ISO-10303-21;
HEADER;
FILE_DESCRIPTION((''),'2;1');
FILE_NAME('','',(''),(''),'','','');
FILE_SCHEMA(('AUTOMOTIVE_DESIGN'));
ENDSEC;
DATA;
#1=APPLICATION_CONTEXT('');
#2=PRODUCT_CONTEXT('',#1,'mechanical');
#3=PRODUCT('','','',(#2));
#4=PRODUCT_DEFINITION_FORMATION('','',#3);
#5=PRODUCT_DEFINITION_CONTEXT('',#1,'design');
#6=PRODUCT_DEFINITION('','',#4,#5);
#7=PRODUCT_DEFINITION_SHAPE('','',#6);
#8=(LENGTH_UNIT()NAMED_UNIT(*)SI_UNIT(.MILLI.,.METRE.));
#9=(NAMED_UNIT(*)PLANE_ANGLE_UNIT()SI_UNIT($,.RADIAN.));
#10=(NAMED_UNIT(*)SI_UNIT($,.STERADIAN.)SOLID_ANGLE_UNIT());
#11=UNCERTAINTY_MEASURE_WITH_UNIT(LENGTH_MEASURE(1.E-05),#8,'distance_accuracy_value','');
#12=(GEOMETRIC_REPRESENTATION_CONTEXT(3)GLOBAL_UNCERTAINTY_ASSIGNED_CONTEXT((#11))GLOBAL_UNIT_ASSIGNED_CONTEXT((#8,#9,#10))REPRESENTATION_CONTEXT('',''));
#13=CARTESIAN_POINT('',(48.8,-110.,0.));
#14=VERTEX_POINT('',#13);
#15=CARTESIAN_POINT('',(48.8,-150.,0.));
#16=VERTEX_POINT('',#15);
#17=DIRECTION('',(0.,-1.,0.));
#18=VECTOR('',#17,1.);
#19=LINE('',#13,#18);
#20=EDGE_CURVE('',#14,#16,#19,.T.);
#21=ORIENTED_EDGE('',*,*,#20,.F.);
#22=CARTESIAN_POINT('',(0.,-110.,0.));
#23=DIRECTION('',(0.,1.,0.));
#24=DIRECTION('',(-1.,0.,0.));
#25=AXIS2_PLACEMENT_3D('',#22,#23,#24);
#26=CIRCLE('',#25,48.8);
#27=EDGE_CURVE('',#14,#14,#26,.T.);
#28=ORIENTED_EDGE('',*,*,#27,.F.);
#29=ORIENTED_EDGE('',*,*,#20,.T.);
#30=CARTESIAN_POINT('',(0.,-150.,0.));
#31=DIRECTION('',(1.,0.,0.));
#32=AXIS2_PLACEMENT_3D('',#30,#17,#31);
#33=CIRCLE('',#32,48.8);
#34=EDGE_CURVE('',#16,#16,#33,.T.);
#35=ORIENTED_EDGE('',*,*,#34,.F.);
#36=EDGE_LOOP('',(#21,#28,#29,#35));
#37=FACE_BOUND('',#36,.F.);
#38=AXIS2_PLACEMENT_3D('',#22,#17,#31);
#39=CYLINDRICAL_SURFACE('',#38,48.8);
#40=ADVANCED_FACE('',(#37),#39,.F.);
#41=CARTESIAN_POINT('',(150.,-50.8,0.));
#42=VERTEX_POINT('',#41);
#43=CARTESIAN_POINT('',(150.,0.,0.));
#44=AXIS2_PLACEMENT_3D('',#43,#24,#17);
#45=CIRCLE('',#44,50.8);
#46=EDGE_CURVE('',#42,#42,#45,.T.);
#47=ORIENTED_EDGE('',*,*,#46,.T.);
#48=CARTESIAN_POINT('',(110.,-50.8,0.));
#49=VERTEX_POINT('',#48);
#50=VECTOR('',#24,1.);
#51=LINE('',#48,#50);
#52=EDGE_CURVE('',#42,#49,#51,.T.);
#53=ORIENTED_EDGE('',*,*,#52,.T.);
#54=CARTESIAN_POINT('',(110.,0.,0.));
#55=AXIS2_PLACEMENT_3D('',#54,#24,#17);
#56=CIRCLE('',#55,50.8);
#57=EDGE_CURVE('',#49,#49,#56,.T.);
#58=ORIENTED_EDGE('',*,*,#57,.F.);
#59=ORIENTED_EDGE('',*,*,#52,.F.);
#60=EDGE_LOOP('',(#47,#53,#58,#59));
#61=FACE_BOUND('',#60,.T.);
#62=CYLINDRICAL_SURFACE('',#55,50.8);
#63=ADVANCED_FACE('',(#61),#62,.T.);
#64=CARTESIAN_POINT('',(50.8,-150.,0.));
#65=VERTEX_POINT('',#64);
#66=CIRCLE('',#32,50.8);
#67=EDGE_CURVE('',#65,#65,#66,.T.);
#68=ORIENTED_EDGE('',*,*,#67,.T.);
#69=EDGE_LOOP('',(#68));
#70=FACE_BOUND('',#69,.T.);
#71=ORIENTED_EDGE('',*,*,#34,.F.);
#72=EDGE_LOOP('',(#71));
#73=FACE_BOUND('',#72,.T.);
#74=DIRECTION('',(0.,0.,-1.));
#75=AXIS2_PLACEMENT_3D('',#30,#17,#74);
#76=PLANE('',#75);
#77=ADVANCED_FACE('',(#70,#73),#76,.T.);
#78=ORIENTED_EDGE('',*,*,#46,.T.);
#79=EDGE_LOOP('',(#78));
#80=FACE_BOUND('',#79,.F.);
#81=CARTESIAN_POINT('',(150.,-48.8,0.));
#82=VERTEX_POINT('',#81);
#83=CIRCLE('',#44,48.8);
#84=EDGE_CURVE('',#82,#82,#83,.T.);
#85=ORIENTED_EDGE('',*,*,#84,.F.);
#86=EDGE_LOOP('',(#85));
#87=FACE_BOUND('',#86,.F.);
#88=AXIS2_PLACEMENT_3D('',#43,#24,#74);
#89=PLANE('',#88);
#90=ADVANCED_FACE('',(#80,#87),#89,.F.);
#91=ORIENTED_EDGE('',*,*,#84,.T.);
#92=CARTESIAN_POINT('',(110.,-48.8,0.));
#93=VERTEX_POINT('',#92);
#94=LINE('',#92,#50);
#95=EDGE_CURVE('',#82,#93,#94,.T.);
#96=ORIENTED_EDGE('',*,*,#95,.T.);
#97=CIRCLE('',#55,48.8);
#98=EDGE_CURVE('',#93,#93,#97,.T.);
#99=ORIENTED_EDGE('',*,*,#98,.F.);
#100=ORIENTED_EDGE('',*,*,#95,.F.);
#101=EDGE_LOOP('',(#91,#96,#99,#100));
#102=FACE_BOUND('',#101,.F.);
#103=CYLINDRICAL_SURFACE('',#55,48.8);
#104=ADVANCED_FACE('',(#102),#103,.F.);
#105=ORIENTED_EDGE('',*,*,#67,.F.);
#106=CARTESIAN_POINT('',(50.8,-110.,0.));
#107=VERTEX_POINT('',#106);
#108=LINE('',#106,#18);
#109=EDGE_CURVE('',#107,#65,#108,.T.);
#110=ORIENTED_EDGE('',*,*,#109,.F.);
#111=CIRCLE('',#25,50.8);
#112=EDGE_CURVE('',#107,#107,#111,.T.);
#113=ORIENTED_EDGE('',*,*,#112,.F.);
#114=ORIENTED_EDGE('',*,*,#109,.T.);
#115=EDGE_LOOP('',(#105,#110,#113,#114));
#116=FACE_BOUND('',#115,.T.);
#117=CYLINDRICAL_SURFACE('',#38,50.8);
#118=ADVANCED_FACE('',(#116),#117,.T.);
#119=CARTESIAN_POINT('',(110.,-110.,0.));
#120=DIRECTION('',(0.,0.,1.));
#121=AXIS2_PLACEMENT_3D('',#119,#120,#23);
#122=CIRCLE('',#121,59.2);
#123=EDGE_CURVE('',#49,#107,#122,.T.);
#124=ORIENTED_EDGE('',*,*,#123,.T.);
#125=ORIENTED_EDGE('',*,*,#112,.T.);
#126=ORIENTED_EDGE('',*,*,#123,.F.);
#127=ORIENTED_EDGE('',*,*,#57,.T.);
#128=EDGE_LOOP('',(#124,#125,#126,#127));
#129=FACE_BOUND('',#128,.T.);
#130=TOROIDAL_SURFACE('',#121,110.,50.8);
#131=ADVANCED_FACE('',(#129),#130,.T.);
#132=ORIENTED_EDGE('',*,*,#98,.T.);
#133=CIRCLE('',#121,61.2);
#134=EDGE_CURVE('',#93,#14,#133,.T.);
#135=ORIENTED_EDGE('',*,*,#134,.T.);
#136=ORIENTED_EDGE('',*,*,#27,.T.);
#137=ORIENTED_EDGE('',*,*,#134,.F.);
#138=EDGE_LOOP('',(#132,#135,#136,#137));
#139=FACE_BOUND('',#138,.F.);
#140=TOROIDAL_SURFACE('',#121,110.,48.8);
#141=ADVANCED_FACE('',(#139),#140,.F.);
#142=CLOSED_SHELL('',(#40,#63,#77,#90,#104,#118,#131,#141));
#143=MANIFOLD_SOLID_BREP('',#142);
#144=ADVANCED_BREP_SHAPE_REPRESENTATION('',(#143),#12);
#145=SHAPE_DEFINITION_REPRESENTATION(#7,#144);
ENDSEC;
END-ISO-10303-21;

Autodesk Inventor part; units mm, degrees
ref_plane "YZ Plane" through (0, 0, 0) normal (1, 0, 0) x (0, 1, 0)
ref_plane "XZ Plane" through (0, 0, 0) normal (0, 1, 0) x (-1, 0, 0)
sketch "Szkic6" plane through (0, 0, 0) normal (0, 0, 1) x (1, 0, 0)
  line L0 (-29.6067, 0) -> (35.2678, 0) construction
  line L1 (0, 42.3419) -> (0, -58.3726) construction
  arc A0 (110, 0) -> (0, -110) centre (110, -110) ccw
  line L2 (0, -110) -> (110, -110) construction
  line L3 (110, -110) -> (110, -44.4669) construction
  line L4 (110, 0) -> (150, 0)
  line L5 (0, -110) -> (0, -150)
  point P0 (0, 0)
  dimension "d24" = 110
  dimension "d31" = 90
  dimension "d36" = 40
  dimension "d37" = 40
ref_plane "Płaszczyzna konstrukcyjna2" through (0, -110, 0) normal (0, -1, 0) x (1, 0, 0)
sketch "Szkic8" plane through (0, -110, 0) normal (0, -1, 0) x (1, 0, 0)
  circle A0 centre (0, 0) radius 50.8
  circle A1 centre (0, 0) radius 48.8
  dimension "d32" = 101.6
  dimension "d33" = 2
sweep "Przeciągnięcie2" add profiles "Szkic8" path "Szkic6"
equation "\"d32\" = OD"
equation "\"d33\" = THK"
equation "\"d24\" = R"
equation "\"d31\" = KAT"
equation "\"d36\" = PROSTKA"
equation "\"d37\" = PROSTKA"
equation "\"SzerokośćGięciaPodcięcia\" = Grubość"
equation "\"RozmiarPodcięciaNarożnika\" = 4 * Grubość"
equation "\"PromieńPrzejścia\" = PromieńGięcia"
equation "\"Rozmiar_promienia_Jacobiego\" = PromieńGięcia"
equation "\"Wielk_odstępu\" = Grubość"
equation "\"d2\" = PromieńGięcia"
equation "\"d23\" = PromieńGięcia"
equation "\"R\" = 110"
equation "\"OD\" = 101.6"
equation "\"THK\" = 2"
equation "\"KAT\" = 90deg"
equation "\"PROSTKA\" = 40"
equation "\"Grubość\" = 1.5"
equation "\"PromieńGięcia\" = 3"
properties part number "Kolano 90° ø101,6x2 R110" material "304L"
